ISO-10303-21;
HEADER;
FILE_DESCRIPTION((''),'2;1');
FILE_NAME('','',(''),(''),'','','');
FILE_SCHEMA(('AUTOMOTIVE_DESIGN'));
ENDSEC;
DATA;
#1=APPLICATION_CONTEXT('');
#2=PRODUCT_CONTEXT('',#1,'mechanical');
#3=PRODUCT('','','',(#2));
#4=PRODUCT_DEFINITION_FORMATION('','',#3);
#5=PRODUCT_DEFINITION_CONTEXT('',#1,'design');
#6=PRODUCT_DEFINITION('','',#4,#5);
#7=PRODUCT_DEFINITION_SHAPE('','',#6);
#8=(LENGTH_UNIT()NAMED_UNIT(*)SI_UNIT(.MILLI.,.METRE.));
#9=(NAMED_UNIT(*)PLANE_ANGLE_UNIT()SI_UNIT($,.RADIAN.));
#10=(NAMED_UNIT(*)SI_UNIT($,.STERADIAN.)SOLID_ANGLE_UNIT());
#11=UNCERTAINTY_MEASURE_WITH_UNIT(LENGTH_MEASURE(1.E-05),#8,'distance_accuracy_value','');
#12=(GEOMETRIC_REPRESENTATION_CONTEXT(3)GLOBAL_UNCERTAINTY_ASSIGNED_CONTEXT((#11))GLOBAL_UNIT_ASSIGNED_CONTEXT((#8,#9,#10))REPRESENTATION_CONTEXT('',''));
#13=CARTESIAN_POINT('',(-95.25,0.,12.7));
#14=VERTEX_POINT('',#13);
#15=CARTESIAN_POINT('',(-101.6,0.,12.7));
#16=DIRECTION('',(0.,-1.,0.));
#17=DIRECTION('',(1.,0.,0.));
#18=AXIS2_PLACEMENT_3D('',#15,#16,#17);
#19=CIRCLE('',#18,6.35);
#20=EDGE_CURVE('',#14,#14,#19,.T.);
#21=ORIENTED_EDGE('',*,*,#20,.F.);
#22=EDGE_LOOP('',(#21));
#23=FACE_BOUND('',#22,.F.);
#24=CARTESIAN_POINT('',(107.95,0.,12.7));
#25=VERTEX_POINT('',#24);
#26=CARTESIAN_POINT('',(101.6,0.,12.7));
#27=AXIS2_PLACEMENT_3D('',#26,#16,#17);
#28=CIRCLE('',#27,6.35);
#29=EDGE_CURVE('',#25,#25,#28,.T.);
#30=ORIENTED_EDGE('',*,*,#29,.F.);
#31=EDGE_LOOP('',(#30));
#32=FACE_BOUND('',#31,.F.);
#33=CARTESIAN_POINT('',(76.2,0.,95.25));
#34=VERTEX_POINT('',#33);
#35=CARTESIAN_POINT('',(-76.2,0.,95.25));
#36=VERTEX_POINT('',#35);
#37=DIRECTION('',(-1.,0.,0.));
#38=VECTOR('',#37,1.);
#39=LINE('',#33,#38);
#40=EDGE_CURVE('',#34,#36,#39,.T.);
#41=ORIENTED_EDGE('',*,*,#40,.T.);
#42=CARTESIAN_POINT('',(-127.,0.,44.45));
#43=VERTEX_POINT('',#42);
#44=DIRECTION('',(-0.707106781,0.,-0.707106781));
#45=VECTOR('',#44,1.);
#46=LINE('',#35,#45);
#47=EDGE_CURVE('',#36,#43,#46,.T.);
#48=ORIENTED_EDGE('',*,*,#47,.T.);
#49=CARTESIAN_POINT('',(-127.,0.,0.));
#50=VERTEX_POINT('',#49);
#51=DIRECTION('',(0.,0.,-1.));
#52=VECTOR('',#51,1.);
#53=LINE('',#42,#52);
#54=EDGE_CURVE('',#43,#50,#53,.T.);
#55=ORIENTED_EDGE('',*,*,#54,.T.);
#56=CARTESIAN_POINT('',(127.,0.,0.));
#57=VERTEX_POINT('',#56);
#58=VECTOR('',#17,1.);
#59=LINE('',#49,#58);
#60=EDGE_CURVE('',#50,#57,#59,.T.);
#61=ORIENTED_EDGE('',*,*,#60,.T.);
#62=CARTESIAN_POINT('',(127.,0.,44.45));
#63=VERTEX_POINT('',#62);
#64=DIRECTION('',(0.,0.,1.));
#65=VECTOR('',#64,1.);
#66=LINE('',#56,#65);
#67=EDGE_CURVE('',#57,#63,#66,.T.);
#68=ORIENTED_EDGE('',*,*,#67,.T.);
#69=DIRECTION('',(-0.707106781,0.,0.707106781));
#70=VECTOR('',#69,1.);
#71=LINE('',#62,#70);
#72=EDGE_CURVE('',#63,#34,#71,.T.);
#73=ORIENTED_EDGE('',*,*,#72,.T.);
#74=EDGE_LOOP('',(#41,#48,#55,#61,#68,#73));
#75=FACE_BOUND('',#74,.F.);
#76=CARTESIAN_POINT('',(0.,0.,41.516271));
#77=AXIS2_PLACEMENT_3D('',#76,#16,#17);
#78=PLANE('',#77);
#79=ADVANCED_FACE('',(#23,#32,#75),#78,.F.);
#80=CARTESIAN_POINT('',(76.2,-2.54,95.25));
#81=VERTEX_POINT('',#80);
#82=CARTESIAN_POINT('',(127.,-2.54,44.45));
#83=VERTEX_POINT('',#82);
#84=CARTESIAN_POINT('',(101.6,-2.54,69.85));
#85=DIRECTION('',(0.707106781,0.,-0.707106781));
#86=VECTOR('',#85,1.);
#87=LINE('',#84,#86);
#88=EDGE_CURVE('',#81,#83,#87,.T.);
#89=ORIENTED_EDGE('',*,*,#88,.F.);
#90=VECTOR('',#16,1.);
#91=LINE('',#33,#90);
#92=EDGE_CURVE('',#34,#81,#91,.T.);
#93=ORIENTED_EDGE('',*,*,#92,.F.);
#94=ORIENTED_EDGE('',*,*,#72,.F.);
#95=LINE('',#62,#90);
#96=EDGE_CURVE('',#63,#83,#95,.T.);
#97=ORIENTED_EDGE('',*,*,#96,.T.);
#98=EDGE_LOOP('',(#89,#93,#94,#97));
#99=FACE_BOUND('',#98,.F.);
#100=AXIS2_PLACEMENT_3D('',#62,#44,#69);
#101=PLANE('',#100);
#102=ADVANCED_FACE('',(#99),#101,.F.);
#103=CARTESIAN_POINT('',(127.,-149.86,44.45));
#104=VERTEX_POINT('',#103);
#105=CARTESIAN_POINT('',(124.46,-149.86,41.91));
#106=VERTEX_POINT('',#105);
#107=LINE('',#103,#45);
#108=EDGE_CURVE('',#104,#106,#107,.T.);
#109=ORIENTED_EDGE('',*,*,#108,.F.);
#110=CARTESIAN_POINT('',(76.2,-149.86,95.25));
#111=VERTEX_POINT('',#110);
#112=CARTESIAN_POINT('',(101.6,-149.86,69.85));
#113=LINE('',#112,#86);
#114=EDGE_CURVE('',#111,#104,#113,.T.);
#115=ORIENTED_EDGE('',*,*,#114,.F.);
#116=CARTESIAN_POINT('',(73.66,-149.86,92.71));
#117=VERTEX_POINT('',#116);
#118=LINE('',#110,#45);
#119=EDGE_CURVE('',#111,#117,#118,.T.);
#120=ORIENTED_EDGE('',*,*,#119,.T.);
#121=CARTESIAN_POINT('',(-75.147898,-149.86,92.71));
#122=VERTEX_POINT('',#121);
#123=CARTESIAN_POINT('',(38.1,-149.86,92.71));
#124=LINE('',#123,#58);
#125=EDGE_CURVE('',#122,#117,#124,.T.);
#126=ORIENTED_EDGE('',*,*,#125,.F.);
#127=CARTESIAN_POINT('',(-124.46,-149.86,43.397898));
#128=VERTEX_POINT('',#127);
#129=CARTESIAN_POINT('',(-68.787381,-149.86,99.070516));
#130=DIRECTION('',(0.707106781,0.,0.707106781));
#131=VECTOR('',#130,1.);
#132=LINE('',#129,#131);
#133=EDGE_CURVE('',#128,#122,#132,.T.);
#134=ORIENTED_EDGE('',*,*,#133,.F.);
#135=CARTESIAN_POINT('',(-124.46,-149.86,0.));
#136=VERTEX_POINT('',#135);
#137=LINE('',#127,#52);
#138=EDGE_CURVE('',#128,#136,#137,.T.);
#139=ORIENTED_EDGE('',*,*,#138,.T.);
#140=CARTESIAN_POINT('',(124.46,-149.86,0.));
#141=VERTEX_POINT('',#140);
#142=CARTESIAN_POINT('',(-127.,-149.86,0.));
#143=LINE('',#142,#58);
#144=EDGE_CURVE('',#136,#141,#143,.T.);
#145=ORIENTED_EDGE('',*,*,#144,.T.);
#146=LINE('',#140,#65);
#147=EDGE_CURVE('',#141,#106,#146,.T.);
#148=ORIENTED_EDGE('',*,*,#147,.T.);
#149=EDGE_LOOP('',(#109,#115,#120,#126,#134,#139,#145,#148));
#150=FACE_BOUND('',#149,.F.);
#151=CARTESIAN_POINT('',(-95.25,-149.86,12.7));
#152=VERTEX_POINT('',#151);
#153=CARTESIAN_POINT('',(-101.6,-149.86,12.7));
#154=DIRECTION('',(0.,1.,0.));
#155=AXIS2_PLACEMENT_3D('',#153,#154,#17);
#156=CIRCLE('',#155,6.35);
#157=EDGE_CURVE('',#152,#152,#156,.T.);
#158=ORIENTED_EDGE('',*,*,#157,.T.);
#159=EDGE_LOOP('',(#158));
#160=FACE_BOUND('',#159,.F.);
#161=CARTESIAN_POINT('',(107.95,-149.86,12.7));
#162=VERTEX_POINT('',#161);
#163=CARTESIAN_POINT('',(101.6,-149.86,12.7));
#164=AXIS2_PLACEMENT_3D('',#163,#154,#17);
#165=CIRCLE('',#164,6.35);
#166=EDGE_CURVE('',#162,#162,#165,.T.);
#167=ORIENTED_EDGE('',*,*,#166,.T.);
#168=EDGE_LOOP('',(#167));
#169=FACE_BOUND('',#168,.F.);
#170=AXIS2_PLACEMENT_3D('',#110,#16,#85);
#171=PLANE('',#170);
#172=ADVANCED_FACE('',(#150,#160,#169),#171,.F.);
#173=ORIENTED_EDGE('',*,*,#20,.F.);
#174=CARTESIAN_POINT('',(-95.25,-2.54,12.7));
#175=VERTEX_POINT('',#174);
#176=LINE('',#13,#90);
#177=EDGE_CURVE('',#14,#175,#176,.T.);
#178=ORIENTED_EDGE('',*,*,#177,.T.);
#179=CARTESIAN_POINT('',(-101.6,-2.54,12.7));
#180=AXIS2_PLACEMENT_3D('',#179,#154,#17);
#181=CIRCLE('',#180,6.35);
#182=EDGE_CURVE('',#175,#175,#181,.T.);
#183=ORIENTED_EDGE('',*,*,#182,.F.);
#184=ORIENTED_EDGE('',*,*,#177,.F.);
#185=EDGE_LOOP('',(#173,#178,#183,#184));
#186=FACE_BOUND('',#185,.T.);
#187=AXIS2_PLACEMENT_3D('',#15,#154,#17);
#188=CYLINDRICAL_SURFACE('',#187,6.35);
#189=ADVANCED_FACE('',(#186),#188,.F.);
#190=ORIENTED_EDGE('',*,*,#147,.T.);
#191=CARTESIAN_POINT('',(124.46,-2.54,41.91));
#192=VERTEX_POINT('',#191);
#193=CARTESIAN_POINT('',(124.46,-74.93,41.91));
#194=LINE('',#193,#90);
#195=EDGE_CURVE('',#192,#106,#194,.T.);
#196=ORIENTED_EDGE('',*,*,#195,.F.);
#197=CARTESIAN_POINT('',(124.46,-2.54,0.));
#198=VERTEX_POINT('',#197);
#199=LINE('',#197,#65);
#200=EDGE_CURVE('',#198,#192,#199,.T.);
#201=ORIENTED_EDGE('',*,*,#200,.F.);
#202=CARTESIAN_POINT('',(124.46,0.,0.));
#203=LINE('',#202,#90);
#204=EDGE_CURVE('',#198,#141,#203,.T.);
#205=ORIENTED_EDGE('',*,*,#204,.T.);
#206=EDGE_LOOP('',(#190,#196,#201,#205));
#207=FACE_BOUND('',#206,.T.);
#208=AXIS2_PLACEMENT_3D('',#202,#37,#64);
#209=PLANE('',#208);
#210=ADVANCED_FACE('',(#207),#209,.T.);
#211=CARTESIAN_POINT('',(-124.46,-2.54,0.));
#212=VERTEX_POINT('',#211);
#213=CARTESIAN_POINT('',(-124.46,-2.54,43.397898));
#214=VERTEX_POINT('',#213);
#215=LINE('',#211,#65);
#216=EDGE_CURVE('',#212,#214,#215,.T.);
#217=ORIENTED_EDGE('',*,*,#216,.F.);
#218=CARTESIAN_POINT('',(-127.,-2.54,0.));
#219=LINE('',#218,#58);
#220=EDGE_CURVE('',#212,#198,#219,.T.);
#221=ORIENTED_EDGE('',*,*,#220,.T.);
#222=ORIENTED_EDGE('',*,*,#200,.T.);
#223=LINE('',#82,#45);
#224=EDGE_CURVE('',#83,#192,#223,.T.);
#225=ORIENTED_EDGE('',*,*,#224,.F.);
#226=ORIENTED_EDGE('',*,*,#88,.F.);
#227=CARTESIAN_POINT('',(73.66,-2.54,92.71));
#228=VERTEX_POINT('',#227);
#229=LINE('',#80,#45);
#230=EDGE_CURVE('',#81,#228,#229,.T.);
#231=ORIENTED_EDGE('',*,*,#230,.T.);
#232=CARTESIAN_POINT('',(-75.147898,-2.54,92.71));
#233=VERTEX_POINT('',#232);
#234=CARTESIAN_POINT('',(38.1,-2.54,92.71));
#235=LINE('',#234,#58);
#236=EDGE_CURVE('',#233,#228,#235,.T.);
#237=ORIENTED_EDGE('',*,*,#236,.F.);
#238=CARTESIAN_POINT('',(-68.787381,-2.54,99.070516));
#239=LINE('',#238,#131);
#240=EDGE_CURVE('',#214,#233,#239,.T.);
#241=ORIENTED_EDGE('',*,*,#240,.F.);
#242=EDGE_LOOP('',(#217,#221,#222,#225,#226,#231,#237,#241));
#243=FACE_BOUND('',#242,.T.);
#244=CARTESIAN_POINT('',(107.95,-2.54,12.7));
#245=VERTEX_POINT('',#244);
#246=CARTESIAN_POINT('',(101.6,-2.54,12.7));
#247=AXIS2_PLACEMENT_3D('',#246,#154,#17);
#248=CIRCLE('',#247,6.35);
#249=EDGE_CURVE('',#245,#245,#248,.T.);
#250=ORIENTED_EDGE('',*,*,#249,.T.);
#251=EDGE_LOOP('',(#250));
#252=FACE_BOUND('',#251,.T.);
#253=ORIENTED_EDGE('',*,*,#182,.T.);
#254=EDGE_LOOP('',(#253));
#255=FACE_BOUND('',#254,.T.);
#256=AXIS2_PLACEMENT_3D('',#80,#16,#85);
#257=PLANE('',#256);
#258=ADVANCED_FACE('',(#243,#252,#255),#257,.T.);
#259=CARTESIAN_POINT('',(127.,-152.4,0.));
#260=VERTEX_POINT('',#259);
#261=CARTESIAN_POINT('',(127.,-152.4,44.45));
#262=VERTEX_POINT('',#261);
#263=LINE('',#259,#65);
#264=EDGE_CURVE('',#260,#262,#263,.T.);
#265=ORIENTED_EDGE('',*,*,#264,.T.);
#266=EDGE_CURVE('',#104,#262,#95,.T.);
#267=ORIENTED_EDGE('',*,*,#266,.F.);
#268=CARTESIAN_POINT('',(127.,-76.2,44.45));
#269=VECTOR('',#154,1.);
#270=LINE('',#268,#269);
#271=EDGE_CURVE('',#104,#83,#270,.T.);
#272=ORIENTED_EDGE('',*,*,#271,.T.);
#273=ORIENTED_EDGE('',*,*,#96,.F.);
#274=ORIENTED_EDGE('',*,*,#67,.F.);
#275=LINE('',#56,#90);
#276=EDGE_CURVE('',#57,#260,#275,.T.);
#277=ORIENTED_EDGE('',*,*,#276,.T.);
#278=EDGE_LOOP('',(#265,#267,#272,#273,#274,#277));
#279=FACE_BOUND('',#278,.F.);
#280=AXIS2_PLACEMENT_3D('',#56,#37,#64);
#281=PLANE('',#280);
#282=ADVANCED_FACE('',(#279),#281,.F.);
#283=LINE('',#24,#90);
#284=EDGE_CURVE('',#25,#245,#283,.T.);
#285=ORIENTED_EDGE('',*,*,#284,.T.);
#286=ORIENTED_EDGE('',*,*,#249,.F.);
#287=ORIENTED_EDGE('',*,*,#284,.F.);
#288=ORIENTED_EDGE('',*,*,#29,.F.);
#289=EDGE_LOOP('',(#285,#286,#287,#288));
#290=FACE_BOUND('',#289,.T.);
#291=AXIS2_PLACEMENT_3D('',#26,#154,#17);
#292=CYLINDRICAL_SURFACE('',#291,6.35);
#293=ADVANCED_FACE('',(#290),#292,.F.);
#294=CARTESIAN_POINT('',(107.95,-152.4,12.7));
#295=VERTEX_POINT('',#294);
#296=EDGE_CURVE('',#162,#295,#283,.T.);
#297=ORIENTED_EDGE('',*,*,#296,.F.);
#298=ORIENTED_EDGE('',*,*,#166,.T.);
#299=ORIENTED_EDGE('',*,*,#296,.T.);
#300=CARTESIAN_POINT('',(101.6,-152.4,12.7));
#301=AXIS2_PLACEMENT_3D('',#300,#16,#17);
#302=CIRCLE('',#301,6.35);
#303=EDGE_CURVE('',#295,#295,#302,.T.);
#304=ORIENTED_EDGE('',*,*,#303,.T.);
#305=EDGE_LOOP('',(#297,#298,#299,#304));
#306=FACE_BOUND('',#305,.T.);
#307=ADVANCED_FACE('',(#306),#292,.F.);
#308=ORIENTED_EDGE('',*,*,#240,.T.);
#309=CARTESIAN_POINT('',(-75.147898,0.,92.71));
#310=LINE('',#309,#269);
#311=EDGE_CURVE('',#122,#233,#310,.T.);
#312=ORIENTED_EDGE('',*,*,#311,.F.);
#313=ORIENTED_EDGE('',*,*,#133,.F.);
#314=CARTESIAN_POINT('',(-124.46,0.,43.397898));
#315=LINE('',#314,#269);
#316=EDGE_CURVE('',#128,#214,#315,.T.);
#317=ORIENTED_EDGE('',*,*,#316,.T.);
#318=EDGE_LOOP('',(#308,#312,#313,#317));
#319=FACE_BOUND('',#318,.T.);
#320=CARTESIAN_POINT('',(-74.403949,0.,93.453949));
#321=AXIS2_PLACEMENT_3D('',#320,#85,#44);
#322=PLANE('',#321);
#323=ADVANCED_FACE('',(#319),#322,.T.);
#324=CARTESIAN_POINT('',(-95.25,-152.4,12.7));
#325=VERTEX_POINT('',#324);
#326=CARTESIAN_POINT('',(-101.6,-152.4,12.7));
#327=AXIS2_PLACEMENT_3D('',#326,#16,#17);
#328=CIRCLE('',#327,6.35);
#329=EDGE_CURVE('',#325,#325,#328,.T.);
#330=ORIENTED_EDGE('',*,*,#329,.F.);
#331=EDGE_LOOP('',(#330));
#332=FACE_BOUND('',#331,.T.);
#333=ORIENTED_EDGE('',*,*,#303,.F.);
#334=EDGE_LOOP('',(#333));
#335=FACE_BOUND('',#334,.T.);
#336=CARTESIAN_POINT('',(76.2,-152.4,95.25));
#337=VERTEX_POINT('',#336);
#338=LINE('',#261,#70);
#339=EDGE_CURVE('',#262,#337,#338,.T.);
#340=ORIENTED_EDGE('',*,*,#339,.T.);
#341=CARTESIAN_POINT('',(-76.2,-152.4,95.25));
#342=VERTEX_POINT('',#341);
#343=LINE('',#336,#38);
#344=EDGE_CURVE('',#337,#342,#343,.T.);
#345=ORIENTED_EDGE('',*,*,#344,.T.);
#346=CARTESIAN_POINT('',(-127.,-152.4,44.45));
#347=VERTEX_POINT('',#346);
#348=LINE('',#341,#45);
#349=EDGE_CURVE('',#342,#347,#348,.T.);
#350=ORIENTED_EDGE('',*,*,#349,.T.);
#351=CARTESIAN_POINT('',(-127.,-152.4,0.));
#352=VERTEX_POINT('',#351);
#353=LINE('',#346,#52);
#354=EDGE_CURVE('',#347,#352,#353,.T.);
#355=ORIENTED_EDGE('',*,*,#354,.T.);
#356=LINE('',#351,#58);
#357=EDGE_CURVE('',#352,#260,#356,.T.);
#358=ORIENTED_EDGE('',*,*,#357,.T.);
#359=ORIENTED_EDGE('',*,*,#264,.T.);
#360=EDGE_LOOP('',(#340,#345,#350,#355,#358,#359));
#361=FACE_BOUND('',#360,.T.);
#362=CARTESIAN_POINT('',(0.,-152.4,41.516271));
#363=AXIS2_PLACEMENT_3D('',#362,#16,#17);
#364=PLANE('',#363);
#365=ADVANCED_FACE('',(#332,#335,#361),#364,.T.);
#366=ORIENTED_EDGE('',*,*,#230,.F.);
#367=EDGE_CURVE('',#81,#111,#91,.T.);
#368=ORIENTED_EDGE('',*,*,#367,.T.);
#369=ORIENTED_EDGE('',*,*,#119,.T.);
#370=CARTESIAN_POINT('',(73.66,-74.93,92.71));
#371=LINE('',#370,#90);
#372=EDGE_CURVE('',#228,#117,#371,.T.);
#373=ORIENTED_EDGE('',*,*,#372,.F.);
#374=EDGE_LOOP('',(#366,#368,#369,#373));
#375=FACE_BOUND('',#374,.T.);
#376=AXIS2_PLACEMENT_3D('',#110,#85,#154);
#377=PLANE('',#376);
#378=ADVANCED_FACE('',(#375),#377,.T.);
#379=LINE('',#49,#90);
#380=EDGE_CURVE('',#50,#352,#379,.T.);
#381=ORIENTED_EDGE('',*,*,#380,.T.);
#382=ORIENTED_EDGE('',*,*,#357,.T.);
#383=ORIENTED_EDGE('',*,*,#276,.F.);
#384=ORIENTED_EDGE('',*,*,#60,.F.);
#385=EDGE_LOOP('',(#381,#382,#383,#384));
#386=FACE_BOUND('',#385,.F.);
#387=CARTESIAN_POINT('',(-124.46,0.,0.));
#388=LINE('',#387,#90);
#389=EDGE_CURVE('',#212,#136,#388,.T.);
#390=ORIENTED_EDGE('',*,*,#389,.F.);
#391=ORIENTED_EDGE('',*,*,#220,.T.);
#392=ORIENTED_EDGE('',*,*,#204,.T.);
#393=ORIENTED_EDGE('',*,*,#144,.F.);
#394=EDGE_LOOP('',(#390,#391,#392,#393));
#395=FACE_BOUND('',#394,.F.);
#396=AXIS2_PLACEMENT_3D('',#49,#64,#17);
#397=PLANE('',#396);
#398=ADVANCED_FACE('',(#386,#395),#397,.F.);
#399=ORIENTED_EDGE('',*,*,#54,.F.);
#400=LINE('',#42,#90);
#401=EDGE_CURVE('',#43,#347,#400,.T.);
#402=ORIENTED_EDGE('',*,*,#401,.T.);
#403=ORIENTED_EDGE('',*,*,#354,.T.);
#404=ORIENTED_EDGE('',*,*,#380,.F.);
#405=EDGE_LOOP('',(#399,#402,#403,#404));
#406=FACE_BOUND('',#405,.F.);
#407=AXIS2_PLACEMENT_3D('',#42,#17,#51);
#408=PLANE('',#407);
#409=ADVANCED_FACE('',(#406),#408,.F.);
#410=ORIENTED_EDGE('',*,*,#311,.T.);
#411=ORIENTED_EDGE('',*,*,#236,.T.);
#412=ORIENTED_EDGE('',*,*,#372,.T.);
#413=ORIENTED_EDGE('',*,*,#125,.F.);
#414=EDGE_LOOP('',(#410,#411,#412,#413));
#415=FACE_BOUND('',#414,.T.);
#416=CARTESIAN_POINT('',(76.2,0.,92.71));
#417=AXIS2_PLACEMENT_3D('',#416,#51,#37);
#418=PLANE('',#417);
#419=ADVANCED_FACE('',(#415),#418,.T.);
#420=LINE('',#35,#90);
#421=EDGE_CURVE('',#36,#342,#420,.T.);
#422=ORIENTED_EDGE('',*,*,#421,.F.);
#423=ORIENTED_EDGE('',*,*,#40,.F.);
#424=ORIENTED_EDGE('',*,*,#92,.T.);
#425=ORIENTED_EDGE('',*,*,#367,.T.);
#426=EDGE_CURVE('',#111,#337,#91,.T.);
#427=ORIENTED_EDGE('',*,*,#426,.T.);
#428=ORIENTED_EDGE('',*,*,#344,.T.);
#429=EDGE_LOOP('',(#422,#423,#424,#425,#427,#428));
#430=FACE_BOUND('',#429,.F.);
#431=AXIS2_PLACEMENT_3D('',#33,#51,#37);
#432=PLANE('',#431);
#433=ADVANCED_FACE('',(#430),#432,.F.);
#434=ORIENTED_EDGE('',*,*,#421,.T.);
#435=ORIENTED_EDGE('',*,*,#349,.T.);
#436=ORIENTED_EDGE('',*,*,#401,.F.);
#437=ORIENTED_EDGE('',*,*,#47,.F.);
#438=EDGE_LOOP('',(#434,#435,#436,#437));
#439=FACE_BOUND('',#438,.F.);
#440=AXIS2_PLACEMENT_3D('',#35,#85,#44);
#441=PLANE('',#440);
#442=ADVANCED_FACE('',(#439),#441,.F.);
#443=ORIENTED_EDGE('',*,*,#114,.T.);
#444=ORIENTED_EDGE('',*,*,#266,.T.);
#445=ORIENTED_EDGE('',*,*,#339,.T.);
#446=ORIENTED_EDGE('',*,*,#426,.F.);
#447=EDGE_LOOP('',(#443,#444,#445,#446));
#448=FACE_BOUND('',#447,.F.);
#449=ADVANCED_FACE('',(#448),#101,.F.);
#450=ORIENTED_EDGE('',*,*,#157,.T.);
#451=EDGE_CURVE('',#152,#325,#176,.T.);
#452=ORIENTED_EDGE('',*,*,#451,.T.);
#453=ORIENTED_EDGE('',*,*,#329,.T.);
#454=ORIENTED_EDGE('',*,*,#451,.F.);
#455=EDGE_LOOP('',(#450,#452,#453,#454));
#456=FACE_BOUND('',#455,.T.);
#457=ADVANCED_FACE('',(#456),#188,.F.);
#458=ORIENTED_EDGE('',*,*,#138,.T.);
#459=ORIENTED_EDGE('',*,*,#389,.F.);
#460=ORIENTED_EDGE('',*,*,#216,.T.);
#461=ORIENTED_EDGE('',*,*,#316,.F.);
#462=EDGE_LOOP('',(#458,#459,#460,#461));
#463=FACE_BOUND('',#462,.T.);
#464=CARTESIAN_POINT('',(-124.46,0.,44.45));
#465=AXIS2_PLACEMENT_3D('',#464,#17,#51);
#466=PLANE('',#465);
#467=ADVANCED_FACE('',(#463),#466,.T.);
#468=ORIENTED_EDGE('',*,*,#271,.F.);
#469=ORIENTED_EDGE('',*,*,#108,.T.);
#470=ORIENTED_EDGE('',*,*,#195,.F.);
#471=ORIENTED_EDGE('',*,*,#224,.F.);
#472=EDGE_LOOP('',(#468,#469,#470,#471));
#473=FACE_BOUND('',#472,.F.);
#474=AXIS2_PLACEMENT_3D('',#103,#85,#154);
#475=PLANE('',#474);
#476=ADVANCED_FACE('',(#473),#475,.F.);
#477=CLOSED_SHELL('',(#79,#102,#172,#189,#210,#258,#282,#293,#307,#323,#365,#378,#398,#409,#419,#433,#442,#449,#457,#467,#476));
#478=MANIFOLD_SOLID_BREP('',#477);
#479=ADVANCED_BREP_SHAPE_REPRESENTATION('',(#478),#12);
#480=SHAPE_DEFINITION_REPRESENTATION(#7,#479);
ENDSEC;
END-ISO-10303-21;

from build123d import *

# Parameters (mm, degrees)
F0_R     = 6.35
F1_DEPTH = 152.4
F2_T     = -2.54
F3_W     = 248.92
F3_H     = 147.32
F4_DEPTH = 25.4
F5_W     = 71.842049
F5_H     = 147.32
F6_DEPTH = 25.4


with BuildPart() as f1:
    # F0 (on Front) → F1 (new body)
    with BuildSketch(Plane.XZ):
        Polygon((-76.2, 95.25), (-127, 44.45), (-127, 0), (127, 0), (127, 44.45), (76.2, 95.25), align=None)
        with Locations((-101.6, 12.7)):
            Circle(F0_R, mode=Mode.SUBTRACT)
        with Locations((101.6, 12.7)):
            Circle(F0_R, mode=Mode.SUBTRACT)
    extrude(amount=F1_DEPTH)

    # F2
    f2_openings = [f1.faces().sort_by_distance(p)[0] for p in [
        (0, -76.2, 0),
    ]]
    offset(amount=F2_T, openings=f2_openings)

    # F3 (on face) → F4 (cut)
    with BuildSketch(Plane(origin=(0, 0, 0), x_dir=(1, 0, 0), z_dir=(0, 0, -1))):
        with Locations((0, 76.2)):
            Rectangle(F3_W, F3_H)
    extrude(amount=-F4_DEPTH, mode=Mode.SUBTRACT)

    # F5 (on face) → F6 (cut)
    with BuildSketch(Plane(origin=(85.725, 0, 85.725), x_dir=(0.707107, 0, -0.707107), z_dir=(0.707107, 0, 0.707107))):
        with Locations((22.45064, -76.2)):
            Rectangle(F5_W, F5_H)
    extrude(amount=-F6_DEPTH, mode=Mode.SUBTRACT)


solid = f1.part
